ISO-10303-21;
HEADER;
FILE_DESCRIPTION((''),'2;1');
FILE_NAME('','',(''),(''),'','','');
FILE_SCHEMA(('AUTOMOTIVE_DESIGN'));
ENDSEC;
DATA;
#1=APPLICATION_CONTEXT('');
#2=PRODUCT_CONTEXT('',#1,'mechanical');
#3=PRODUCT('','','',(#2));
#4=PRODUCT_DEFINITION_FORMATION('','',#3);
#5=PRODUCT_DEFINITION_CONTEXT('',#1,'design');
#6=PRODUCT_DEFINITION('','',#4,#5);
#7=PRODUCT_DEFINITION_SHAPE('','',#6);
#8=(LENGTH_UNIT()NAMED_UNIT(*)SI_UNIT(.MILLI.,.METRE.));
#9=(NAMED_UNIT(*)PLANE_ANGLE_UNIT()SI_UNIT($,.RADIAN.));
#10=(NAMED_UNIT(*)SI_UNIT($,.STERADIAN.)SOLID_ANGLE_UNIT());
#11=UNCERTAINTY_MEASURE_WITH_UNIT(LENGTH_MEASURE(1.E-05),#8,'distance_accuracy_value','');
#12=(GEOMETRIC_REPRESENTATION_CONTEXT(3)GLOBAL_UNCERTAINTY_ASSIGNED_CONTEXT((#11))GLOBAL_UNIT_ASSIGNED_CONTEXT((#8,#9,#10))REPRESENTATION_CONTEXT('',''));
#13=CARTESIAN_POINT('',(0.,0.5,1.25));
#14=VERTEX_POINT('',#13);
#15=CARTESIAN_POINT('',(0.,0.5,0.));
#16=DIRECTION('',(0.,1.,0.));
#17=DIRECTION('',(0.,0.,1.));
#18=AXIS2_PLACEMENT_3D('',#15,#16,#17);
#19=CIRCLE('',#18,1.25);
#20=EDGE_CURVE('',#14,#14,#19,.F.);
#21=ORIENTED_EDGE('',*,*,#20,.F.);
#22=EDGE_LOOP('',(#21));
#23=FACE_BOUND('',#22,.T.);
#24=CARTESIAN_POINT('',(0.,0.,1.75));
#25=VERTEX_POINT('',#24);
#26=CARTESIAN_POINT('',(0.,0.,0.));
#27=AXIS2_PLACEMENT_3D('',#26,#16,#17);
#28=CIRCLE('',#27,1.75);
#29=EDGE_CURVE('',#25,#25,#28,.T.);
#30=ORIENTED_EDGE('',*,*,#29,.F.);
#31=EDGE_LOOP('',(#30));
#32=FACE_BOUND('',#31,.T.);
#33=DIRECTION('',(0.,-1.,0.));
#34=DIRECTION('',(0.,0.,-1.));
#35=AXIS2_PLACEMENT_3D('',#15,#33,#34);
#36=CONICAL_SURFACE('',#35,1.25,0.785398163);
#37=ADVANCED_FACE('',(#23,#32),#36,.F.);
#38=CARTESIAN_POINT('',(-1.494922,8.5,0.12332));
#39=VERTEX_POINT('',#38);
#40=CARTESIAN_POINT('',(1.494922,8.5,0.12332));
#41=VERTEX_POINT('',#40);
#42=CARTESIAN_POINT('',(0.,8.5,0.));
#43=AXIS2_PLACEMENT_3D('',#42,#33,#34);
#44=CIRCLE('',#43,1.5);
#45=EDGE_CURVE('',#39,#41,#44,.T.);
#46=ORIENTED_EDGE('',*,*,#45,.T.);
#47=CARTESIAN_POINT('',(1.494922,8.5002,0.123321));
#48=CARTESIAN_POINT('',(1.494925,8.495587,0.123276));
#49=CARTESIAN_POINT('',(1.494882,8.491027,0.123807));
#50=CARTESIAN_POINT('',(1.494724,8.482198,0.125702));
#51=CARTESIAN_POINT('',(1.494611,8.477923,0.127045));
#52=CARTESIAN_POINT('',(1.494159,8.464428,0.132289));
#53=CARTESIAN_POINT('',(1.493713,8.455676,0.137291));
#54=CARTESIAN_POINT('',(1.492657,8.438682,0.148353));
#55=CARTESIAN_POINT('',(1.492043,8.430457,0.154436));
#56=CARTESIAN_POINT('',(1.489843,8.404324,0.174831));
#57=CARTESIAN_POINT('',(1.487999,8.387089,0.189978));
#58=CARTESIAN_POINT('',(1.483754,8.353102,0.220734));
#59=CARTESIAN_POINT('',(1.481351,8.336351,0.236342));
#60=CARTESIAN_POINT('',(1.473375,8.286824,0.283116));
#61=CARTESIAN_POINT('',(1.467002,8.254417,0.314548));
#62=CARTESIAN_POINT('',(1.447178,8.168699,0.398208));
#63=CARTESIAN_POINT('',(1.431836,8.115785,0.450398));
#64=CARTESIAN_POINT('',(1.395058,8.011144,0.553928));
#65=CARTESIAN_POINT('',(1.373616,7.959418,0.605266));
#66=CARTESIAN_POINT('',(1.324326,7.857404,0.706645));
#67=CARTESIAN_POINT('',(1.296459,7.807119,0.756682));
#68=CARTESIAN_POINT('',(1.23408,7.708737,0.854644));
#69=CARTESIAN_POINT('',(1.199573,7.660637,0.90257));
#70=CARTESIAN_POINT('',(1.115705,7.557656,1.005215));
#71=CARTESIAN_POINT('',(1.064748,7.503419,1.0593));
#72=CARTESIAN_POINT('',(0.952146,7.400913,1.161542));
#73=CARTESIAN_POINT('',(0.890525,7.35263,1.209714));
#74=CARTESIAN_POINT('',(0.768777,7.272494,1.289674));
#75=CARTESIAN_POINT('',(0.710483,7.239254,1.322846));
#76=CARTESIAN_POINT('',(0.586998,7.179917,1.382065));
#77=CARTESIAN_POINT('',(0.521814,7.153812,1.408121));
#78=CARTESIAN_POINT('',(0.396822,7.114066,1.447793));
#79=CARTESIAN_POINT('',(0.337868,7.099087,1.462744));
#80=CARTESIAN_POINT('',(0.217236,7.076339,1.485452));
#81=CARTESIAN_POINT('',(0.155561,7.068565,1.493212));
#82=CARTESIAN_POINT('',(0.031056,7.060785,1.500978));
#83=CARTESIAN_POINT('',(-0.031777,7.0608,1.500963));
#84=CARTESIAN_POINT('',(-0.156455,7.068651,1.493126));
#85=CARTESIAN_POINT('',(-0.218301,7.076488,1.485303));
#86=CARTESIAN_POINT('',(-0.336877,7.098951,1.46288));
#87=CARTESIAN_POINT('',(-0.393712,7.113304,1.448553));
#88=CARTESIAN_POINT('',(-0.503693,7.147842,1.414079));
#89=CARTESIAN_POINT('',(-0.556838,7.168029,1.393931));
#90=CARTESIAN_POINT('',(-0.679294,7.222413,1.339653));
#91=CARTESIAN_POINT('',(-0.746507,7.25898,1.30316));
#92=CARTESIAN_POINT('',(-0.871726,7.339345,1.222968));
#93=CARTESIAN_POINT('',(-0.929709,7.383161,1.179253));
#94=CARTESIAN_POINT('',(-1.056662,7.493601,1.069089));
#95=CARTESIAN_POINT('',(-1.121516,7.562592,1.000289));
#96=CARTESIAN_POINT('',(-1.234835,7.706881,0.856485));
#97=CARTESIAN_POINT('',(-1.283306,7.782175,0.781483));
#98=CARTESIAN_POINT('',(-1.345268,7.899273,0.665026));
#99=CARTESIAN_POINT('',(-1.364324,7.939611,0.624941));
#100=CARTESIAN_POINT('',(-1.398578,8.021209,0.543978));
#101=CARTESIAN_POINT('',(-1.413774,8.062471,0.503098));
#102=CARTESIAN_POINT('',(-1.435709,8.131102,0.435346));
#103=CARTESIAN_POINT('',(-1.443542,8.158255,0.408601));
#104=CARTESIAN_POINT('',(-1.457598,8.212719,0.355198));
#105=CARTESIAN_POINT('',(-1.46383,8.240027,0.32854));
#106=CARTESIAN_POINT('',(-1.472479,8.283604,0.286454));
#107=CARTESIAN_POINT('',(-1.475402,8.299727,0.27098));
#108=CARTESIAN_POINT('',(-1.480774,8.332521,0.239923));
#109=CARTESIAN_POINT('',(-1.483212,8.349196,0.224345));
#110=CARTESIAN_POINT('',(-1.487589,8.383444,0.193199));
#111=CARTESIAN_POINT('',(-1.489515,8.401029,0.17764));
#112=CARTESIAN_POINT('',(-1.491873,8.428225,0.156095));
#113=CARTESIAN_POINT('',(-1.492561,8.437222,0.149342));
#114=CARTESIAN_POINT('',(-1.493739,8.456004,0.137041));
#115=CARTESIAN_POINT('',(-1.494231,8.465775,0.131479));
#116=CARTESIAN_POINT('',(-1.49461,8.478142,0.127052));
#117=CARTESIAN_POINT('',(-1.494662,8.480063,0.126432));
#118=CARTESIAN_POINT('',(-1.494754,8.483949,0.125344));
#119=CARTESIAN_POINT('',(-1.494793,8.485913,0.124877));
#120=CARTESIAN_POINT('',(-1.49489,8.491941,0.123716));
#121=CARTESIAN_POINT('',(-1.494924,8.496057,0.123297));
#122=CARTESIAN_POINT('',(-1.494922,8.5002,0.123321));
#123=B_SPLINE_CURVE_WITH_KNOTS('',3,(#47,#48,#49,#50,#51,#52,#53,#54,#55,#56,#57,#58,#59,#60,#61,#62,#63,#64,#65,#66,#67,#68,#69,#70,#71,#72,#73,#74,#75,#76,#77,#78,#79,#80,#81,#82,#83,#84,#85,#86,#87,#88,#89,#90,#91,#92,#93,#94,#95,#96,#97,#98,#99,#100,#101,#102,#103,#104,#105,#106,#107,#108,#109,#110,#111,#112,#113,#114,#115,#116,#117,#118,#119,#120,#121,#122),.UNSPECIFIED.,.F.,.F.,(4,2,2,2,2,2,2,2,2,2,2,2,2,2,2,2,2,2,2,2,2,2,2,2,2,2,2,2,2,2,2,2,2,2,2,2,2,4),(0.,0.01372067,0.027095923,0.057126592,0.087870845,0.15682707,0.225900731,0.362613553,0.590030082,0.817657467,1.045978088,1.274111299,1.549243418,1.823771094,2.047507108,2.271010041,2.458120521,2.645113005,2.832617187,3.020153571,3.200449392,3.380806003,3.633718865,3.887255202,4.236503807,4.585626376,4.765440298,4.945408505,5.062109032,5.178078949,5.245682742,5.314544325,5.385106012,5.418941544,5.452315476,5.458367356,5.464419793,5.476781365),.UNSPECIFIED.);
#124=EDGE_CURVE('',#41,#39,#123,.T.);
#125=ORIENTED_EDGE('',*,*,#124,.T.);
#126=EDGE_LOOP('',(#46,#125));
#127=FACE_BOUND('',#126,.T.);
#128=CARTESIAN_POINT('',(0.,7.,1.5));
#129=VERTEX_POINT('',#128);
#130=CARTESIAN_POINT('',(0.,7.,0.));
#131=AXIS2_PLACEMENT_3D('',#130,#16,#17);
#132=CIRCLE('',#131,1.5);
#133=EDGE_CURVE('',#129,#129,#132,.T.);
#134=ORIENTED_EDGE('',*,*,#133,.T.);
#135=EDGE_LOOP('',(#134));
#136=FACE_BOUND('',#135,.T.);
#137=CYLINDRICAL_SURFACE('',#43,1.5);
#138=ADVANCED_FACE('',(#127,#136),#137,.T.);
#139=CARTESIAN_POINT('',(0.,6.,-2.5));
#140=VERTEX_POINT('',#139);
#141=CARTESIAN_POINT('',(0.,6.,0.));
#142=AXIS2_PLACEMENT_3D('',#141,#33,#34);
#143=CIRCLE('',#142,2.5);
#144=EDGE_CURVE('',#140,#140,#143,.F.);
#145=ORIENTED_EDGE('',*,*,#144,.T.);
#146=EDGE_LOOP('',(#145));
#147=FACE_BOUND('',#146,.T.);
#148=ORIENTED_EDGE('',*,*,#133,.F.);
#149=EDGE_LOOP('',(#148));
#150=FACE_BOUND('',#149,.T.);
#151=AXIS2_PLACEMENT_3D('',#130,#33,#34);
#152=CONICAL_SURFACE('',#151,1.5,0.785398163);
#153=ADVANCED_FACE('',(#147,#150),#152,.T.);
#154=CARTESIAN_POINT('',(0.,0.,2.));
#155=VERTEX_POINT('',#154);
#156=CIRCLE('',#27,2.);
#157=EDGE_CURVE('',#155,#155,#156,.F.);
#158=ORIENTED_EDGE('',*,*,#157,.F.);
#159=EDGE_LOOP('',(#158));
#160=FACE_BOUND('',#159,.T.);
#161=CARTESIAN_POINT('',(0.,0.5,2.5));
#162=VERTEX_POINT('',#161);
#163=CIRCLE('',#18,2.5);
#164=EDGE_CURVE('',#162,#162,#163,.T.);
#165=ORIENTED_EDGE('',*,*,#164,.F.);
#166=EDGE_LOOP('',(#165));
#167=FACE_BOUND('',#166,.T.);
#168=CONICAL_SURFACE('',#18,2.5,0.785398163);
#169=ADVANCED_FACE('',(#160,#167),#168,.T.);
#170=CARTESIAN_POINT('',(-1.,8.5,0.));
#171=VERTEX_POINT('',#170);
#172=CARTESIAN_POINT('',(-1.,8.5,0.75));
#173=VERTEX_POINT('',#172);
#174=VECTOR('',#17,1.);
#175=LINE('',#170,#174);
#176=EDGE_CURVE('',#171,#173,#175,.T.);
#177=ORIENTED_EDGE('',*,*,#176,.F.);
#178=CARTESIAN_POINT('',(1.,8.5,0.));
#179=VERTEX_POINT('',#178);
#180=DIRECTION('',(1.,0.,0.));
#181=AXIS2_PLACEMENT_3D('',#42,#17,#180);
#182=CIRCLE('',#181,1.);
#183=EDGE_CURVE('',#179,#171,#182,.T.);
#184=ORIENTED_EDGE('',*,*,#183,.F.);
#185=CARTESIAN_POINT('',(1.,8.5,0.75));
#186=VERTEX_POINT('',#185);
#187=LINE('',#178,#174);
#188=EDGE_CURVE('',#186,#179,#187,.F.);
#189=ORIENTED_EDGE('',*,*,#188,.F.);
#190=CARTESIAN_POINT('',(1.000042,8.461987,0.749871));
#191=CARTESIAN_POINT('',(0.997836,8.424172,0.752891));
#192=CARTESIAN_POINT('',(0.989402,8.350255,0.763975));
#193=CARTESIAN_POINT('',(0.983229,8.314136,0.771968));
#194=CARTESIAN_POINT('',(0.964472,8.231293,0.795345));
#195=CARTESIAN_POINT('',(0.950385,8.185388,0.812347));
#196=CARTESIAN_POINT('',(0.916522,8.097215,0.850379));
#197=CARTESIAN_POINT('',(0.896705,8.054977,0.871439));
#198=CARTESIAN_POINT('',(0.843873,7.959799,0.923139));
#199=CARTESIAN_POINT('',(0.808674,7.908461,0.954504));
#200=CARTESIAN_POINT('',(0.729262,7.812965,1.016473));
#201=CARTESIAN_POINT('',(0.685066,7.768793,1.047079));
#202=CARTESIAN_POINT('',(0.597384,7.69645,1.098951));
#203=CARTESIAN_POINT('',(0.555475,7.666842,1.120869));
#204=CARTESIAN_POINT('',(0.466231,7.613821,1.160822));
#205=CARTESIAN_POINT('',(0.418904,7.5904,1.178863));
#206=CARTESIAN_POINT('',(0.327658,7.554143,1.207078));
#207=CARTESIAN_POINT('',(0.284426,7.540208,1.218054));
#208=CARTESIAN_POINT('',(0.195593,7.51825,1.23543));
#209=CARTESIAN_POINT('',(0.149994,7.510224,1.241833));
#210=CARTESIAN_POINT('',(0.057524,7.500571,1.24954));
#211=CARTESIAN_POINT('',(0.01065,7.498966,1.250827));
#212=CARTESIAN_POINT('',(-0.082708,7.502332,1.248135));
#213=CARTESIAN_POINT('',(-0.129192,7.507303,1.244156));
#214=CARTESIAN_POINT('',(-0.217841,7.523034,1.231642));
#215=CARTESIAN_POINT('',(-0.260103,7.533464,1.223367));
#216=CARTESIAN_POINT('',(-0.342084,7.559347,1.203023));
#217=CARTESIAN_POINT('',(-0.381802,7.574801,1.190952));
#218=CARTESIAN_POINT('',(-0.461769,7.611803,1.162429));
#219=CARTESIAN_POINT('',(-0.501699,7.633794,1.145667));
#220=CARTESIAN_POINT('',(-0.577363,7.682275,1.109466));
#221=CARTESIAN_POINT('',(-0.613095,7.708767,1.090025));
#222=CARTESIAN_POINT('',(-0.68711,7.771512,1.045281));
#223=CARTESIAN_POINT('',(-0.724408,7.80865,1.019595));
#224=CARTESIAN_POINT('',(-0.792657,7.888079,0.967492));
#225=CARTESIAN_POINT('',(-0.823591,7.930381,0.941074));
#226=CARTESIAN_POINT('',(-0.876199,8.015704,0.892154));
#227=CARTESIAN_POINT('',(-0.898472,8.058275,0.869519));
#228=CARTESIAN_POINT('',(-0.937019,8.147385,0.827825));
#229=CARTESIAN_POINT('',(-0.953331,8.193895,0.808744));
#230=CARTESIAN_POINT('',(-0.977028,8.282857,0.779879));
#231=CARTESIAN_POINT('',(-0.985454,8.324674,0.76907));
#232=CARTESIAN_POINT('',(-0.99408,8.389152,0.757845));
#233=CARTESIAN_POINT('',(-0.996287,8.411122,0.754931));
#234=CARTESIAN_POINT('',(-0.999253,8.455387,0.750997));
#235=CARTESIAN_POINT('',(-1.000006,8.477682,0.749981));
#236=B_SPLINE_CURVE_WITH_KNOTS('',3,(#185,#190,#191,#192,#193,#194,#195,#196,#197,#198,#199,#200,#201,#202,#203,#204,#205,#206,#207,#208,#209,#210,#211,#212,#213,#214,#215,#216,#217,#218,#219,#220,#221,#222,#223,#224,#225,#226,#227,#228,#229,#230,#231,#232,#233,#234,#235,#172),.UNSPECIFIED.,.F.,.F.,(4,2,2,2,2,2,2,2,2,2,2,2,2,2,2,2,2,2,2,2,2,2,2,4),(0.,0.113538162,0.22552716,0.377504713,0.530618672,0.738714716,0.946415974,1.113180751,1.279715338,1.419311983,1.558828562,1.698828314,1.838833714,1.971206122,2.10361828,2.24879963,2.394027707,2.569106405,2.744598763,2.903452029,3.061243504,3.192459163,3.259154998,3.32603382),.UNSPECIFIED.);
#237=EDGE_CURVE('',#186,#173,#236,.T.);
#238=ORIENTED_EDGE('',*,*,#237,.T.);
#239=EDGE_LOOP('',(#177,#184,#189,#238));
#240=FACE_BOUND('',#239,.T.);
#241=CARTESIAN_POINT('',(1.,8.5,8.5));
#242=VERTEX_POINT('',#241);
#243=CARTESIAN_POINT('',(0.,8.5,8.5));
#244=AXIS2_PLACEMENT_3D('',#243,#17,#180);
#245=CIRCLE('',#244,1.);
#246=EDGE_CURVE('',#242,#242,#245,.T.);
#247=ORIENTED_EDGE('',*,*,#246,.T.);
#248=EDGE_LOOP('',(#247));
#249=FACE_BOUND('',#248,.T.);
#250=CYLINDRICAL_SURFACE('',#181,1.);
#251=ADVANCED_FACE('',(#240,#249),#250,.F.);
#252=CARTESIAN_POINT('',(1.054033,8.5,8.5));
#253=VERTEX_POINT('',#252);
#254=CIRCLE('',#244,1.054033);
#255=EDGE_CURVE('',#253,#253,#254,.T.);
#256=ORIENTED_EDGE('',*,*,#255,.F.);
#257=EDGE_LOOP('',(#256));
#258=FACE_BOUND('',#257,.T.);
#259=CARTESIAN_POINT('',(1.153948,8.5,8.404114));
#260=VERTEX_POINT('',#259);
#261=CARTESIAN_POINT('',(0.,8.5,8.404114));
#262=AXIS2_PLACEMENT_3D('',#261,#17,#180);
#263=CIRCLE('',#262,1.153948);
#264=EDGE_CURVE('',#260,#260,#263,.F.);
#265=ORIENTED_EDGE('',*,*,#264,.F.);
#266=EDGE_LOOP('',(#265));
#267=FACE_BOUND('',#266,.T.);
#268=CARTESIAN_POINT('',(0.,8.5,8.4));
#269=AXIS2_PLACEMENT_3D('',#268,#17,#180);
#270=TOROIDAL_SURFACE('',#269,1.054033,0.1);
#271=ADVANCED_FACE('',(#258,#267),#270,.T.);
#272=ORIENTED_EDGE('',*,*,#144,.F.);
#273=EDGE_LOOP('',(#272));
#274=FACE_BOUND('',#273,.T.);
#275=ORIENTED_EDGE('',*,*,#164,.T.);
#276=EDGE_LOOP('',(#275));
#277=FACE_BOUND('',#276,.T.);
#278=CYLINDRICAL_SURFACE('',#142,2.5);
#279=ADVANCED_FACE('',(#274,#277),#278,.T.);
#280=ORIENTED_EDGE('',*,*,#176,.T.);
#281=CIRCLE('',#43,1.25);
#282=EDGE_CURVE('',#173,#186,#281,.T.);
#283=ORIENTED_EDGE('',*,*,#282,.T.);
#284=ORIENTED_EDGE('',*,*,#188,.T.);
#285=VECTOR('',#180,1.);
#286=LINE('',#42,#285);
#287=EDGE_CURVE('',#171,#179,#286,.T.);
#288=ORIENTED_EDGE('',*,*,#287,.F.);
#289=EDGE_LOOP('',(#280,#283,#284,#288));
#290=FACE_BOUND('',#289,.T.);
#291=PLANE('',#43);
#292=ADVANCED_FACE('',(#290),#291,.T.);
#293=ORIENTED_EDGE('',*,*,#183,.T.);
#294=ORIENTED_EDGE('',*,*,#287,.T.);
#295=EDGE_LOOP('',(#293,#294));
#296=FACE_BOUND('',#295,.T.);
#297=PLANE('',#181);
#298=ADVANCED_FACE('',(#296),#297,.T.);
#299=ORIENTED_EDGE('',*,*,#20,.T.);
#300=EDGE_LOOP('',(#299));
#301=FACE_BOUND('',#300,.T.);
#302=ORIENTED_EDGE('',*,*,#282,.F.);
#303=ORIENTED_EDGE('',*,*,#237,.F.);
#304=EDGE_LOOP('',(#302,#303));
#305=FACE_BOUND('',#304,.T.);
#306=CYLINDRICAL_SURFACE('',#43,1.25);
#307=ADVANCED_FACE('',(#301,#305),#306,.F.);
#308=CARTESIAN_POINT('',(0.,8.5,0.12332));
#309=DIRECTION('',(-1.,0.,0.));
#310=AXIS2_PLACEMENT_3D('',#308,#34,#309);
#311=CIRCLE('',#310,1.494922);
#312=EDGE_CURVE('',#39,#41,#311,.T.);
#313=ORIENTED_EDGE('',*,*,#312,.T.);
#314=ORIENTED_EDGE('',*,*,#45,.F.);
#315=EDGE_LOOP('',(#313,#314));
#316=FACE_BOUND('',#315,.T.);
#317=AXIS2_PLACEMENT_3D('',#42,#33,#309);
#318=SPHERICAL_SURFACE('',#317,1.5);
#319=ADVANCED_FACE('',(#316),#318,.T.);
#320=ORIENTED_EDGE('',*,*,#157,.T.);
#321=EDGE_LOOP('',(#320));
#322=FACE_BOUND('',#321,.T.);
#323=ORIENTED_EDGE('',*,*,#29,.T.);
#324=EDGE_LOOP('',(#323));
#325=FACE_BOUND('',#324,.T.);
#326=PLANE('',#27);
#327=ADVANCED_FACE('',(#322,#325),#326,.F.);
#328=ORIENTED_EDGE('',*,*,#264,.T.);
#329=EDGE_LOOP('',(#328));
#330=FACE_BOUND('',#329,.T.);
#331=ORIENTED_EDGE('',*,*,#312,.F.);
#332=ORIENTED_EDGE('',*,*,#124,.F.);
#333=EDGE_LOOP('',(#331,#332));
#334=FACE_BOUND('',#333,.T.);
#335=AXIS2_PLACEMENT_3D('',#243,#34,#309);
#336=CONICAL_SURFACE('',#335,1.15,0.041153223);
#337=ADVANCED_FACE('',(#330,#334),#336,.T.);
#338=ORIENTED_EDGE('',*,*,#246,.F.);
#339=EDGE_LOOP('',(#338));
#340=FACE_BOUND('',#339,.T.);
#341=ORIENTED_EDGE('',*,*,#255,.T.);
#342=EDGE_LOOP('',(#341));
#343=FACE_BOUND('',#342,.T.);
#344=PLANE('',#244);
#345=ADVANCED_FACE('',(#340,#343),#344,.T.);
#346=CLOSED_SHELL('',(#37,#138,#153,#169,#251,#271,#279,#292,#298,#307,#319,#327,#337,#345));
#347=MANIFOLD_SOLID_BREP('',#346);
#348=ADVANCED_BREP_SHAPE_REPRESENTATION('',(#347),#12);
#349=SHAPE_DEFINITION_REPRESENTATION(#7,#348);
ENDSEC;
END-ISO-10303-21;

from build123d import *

# Parameters (mm, degrees)
SKETCH_1_R          = 2.5
EXTRUDE_1_DEPTH     = 6
SKETCH_2_R          = 2.5
SKETCH_3_R          = 1.5
SKETCH_5_R          = 1.5
SKETCH_6_R          = 1.15
SKETCH_7_R          = 1
CUT_EXTRUDE_1_DEPTH = 8.5
SKETCH_8_R          = 1.25
CUT_EXTRUDE_2_DEPTH = 8.5
CHAMFER_1_SIZE      = 0.5
FILLET_1_R          = 0.1


with BuildPart() as part:
    # 草图1 → 凸台-拉伸1 (new body)
    with BuildSketch(Plane(origin=(0, 0, 0), x_dir=(1, 0, 0), z_dir=(0, 1, 0))):
        with Locations(Location((0, 0, 0), (0, 0, 270))):
            Circle(SKETCH_1_R)
    extrude(amount=EXTRUDE_1_DEPTH)

    # 草图2 → 放样1 section 0
    with BuildSketch(Plane(origin=(0, 6, 0), x_dir=(1, 0, 0), z_dir=(0, 1, 0))):
        Circle(SKETCH_2_R)
    # 草图3 → 放样1 section 1
    with BuildSketch(Plane(origin=(0, 7, 0), x_dir=(1, 0, 0), z_dir=(0, 1, 0))):
        Circle(SKETCH_3_R)
    loft()

    # 草图4 → 旋转1 (revolve)
    with BuildSketch(Plane.XY, mode=Mode.PRIVATE) as revolve_1_sk:
        with BuildLine():
            Line((0, 7), (0, 8.5))
            Line((0, 8.5), (0, 10))
            ThreePointArc((0, 10), (-1.060660172, 9.560660172), (-1.5, 8.5))
            Line((-1.5, 8.5), (-1.5, 7))
            Line((-1.5, 7), (0, 7))
        make_face()
    revolve(revolve_1_sk.sketch.rotate(Axis((0, 8.5, 0), (0, 1, 0)), 270), axis=Axis((0, 8.5, 0), (0, 1, 0)))

    # 草图5 → 放样2 section 0
    with BuildSketch(Plane.XY):
        with Locations((0, 8.5)):
            Circle(SKETCH_5_R)
    # 草图6 → 放样2 section 1
    with BuildSketch(Plane.XY.offset(8.5)):
        with Locations((0, 8.5)):
            Circle(SKETCH_6_R)
    loft()

    # 草图7 → 切除-拉伸1 (cut)
    with BuildSketch(Plane.XY.offset(8.5)):
        with Locations((0, 8.5)):
            Circle(SKETCH_7_R)
    extrude(amount=-CUT_EXTRUDE_1_DEPTH, mode=Mode.SUBTRACT)

    # 草图8 → 切除-拉伸2 (cut)
    with BuildSketch(Plane.XZ):
        with Locations(Location((0, 0, 0), (0, 0, 270))):
            Circle(SKETCH_8_R)
    extrude(amount=-CUT_EXTRUDE_2_DEPTH, mode=Mode.SUBTRACT)

    # 倒角1
    chamfer_1_edges = [part.edges().sort_by_distance(p)[0] for p in [
        (0, 0, -2.5),
        (0, 0, 1.25),
    ]]
    chamfer(chamfer_1_edges, length=CHAMFER_1_SIZE)

    # 圆角1
    fillet_1_edges = [part.edges().sort_by_distance(p)[0] for p in [
        (-1.15, 8.5, 8.5),
    ]]
    fillet(fillet_1_edges, radius=FILLET_1_R)


solid = part.part
